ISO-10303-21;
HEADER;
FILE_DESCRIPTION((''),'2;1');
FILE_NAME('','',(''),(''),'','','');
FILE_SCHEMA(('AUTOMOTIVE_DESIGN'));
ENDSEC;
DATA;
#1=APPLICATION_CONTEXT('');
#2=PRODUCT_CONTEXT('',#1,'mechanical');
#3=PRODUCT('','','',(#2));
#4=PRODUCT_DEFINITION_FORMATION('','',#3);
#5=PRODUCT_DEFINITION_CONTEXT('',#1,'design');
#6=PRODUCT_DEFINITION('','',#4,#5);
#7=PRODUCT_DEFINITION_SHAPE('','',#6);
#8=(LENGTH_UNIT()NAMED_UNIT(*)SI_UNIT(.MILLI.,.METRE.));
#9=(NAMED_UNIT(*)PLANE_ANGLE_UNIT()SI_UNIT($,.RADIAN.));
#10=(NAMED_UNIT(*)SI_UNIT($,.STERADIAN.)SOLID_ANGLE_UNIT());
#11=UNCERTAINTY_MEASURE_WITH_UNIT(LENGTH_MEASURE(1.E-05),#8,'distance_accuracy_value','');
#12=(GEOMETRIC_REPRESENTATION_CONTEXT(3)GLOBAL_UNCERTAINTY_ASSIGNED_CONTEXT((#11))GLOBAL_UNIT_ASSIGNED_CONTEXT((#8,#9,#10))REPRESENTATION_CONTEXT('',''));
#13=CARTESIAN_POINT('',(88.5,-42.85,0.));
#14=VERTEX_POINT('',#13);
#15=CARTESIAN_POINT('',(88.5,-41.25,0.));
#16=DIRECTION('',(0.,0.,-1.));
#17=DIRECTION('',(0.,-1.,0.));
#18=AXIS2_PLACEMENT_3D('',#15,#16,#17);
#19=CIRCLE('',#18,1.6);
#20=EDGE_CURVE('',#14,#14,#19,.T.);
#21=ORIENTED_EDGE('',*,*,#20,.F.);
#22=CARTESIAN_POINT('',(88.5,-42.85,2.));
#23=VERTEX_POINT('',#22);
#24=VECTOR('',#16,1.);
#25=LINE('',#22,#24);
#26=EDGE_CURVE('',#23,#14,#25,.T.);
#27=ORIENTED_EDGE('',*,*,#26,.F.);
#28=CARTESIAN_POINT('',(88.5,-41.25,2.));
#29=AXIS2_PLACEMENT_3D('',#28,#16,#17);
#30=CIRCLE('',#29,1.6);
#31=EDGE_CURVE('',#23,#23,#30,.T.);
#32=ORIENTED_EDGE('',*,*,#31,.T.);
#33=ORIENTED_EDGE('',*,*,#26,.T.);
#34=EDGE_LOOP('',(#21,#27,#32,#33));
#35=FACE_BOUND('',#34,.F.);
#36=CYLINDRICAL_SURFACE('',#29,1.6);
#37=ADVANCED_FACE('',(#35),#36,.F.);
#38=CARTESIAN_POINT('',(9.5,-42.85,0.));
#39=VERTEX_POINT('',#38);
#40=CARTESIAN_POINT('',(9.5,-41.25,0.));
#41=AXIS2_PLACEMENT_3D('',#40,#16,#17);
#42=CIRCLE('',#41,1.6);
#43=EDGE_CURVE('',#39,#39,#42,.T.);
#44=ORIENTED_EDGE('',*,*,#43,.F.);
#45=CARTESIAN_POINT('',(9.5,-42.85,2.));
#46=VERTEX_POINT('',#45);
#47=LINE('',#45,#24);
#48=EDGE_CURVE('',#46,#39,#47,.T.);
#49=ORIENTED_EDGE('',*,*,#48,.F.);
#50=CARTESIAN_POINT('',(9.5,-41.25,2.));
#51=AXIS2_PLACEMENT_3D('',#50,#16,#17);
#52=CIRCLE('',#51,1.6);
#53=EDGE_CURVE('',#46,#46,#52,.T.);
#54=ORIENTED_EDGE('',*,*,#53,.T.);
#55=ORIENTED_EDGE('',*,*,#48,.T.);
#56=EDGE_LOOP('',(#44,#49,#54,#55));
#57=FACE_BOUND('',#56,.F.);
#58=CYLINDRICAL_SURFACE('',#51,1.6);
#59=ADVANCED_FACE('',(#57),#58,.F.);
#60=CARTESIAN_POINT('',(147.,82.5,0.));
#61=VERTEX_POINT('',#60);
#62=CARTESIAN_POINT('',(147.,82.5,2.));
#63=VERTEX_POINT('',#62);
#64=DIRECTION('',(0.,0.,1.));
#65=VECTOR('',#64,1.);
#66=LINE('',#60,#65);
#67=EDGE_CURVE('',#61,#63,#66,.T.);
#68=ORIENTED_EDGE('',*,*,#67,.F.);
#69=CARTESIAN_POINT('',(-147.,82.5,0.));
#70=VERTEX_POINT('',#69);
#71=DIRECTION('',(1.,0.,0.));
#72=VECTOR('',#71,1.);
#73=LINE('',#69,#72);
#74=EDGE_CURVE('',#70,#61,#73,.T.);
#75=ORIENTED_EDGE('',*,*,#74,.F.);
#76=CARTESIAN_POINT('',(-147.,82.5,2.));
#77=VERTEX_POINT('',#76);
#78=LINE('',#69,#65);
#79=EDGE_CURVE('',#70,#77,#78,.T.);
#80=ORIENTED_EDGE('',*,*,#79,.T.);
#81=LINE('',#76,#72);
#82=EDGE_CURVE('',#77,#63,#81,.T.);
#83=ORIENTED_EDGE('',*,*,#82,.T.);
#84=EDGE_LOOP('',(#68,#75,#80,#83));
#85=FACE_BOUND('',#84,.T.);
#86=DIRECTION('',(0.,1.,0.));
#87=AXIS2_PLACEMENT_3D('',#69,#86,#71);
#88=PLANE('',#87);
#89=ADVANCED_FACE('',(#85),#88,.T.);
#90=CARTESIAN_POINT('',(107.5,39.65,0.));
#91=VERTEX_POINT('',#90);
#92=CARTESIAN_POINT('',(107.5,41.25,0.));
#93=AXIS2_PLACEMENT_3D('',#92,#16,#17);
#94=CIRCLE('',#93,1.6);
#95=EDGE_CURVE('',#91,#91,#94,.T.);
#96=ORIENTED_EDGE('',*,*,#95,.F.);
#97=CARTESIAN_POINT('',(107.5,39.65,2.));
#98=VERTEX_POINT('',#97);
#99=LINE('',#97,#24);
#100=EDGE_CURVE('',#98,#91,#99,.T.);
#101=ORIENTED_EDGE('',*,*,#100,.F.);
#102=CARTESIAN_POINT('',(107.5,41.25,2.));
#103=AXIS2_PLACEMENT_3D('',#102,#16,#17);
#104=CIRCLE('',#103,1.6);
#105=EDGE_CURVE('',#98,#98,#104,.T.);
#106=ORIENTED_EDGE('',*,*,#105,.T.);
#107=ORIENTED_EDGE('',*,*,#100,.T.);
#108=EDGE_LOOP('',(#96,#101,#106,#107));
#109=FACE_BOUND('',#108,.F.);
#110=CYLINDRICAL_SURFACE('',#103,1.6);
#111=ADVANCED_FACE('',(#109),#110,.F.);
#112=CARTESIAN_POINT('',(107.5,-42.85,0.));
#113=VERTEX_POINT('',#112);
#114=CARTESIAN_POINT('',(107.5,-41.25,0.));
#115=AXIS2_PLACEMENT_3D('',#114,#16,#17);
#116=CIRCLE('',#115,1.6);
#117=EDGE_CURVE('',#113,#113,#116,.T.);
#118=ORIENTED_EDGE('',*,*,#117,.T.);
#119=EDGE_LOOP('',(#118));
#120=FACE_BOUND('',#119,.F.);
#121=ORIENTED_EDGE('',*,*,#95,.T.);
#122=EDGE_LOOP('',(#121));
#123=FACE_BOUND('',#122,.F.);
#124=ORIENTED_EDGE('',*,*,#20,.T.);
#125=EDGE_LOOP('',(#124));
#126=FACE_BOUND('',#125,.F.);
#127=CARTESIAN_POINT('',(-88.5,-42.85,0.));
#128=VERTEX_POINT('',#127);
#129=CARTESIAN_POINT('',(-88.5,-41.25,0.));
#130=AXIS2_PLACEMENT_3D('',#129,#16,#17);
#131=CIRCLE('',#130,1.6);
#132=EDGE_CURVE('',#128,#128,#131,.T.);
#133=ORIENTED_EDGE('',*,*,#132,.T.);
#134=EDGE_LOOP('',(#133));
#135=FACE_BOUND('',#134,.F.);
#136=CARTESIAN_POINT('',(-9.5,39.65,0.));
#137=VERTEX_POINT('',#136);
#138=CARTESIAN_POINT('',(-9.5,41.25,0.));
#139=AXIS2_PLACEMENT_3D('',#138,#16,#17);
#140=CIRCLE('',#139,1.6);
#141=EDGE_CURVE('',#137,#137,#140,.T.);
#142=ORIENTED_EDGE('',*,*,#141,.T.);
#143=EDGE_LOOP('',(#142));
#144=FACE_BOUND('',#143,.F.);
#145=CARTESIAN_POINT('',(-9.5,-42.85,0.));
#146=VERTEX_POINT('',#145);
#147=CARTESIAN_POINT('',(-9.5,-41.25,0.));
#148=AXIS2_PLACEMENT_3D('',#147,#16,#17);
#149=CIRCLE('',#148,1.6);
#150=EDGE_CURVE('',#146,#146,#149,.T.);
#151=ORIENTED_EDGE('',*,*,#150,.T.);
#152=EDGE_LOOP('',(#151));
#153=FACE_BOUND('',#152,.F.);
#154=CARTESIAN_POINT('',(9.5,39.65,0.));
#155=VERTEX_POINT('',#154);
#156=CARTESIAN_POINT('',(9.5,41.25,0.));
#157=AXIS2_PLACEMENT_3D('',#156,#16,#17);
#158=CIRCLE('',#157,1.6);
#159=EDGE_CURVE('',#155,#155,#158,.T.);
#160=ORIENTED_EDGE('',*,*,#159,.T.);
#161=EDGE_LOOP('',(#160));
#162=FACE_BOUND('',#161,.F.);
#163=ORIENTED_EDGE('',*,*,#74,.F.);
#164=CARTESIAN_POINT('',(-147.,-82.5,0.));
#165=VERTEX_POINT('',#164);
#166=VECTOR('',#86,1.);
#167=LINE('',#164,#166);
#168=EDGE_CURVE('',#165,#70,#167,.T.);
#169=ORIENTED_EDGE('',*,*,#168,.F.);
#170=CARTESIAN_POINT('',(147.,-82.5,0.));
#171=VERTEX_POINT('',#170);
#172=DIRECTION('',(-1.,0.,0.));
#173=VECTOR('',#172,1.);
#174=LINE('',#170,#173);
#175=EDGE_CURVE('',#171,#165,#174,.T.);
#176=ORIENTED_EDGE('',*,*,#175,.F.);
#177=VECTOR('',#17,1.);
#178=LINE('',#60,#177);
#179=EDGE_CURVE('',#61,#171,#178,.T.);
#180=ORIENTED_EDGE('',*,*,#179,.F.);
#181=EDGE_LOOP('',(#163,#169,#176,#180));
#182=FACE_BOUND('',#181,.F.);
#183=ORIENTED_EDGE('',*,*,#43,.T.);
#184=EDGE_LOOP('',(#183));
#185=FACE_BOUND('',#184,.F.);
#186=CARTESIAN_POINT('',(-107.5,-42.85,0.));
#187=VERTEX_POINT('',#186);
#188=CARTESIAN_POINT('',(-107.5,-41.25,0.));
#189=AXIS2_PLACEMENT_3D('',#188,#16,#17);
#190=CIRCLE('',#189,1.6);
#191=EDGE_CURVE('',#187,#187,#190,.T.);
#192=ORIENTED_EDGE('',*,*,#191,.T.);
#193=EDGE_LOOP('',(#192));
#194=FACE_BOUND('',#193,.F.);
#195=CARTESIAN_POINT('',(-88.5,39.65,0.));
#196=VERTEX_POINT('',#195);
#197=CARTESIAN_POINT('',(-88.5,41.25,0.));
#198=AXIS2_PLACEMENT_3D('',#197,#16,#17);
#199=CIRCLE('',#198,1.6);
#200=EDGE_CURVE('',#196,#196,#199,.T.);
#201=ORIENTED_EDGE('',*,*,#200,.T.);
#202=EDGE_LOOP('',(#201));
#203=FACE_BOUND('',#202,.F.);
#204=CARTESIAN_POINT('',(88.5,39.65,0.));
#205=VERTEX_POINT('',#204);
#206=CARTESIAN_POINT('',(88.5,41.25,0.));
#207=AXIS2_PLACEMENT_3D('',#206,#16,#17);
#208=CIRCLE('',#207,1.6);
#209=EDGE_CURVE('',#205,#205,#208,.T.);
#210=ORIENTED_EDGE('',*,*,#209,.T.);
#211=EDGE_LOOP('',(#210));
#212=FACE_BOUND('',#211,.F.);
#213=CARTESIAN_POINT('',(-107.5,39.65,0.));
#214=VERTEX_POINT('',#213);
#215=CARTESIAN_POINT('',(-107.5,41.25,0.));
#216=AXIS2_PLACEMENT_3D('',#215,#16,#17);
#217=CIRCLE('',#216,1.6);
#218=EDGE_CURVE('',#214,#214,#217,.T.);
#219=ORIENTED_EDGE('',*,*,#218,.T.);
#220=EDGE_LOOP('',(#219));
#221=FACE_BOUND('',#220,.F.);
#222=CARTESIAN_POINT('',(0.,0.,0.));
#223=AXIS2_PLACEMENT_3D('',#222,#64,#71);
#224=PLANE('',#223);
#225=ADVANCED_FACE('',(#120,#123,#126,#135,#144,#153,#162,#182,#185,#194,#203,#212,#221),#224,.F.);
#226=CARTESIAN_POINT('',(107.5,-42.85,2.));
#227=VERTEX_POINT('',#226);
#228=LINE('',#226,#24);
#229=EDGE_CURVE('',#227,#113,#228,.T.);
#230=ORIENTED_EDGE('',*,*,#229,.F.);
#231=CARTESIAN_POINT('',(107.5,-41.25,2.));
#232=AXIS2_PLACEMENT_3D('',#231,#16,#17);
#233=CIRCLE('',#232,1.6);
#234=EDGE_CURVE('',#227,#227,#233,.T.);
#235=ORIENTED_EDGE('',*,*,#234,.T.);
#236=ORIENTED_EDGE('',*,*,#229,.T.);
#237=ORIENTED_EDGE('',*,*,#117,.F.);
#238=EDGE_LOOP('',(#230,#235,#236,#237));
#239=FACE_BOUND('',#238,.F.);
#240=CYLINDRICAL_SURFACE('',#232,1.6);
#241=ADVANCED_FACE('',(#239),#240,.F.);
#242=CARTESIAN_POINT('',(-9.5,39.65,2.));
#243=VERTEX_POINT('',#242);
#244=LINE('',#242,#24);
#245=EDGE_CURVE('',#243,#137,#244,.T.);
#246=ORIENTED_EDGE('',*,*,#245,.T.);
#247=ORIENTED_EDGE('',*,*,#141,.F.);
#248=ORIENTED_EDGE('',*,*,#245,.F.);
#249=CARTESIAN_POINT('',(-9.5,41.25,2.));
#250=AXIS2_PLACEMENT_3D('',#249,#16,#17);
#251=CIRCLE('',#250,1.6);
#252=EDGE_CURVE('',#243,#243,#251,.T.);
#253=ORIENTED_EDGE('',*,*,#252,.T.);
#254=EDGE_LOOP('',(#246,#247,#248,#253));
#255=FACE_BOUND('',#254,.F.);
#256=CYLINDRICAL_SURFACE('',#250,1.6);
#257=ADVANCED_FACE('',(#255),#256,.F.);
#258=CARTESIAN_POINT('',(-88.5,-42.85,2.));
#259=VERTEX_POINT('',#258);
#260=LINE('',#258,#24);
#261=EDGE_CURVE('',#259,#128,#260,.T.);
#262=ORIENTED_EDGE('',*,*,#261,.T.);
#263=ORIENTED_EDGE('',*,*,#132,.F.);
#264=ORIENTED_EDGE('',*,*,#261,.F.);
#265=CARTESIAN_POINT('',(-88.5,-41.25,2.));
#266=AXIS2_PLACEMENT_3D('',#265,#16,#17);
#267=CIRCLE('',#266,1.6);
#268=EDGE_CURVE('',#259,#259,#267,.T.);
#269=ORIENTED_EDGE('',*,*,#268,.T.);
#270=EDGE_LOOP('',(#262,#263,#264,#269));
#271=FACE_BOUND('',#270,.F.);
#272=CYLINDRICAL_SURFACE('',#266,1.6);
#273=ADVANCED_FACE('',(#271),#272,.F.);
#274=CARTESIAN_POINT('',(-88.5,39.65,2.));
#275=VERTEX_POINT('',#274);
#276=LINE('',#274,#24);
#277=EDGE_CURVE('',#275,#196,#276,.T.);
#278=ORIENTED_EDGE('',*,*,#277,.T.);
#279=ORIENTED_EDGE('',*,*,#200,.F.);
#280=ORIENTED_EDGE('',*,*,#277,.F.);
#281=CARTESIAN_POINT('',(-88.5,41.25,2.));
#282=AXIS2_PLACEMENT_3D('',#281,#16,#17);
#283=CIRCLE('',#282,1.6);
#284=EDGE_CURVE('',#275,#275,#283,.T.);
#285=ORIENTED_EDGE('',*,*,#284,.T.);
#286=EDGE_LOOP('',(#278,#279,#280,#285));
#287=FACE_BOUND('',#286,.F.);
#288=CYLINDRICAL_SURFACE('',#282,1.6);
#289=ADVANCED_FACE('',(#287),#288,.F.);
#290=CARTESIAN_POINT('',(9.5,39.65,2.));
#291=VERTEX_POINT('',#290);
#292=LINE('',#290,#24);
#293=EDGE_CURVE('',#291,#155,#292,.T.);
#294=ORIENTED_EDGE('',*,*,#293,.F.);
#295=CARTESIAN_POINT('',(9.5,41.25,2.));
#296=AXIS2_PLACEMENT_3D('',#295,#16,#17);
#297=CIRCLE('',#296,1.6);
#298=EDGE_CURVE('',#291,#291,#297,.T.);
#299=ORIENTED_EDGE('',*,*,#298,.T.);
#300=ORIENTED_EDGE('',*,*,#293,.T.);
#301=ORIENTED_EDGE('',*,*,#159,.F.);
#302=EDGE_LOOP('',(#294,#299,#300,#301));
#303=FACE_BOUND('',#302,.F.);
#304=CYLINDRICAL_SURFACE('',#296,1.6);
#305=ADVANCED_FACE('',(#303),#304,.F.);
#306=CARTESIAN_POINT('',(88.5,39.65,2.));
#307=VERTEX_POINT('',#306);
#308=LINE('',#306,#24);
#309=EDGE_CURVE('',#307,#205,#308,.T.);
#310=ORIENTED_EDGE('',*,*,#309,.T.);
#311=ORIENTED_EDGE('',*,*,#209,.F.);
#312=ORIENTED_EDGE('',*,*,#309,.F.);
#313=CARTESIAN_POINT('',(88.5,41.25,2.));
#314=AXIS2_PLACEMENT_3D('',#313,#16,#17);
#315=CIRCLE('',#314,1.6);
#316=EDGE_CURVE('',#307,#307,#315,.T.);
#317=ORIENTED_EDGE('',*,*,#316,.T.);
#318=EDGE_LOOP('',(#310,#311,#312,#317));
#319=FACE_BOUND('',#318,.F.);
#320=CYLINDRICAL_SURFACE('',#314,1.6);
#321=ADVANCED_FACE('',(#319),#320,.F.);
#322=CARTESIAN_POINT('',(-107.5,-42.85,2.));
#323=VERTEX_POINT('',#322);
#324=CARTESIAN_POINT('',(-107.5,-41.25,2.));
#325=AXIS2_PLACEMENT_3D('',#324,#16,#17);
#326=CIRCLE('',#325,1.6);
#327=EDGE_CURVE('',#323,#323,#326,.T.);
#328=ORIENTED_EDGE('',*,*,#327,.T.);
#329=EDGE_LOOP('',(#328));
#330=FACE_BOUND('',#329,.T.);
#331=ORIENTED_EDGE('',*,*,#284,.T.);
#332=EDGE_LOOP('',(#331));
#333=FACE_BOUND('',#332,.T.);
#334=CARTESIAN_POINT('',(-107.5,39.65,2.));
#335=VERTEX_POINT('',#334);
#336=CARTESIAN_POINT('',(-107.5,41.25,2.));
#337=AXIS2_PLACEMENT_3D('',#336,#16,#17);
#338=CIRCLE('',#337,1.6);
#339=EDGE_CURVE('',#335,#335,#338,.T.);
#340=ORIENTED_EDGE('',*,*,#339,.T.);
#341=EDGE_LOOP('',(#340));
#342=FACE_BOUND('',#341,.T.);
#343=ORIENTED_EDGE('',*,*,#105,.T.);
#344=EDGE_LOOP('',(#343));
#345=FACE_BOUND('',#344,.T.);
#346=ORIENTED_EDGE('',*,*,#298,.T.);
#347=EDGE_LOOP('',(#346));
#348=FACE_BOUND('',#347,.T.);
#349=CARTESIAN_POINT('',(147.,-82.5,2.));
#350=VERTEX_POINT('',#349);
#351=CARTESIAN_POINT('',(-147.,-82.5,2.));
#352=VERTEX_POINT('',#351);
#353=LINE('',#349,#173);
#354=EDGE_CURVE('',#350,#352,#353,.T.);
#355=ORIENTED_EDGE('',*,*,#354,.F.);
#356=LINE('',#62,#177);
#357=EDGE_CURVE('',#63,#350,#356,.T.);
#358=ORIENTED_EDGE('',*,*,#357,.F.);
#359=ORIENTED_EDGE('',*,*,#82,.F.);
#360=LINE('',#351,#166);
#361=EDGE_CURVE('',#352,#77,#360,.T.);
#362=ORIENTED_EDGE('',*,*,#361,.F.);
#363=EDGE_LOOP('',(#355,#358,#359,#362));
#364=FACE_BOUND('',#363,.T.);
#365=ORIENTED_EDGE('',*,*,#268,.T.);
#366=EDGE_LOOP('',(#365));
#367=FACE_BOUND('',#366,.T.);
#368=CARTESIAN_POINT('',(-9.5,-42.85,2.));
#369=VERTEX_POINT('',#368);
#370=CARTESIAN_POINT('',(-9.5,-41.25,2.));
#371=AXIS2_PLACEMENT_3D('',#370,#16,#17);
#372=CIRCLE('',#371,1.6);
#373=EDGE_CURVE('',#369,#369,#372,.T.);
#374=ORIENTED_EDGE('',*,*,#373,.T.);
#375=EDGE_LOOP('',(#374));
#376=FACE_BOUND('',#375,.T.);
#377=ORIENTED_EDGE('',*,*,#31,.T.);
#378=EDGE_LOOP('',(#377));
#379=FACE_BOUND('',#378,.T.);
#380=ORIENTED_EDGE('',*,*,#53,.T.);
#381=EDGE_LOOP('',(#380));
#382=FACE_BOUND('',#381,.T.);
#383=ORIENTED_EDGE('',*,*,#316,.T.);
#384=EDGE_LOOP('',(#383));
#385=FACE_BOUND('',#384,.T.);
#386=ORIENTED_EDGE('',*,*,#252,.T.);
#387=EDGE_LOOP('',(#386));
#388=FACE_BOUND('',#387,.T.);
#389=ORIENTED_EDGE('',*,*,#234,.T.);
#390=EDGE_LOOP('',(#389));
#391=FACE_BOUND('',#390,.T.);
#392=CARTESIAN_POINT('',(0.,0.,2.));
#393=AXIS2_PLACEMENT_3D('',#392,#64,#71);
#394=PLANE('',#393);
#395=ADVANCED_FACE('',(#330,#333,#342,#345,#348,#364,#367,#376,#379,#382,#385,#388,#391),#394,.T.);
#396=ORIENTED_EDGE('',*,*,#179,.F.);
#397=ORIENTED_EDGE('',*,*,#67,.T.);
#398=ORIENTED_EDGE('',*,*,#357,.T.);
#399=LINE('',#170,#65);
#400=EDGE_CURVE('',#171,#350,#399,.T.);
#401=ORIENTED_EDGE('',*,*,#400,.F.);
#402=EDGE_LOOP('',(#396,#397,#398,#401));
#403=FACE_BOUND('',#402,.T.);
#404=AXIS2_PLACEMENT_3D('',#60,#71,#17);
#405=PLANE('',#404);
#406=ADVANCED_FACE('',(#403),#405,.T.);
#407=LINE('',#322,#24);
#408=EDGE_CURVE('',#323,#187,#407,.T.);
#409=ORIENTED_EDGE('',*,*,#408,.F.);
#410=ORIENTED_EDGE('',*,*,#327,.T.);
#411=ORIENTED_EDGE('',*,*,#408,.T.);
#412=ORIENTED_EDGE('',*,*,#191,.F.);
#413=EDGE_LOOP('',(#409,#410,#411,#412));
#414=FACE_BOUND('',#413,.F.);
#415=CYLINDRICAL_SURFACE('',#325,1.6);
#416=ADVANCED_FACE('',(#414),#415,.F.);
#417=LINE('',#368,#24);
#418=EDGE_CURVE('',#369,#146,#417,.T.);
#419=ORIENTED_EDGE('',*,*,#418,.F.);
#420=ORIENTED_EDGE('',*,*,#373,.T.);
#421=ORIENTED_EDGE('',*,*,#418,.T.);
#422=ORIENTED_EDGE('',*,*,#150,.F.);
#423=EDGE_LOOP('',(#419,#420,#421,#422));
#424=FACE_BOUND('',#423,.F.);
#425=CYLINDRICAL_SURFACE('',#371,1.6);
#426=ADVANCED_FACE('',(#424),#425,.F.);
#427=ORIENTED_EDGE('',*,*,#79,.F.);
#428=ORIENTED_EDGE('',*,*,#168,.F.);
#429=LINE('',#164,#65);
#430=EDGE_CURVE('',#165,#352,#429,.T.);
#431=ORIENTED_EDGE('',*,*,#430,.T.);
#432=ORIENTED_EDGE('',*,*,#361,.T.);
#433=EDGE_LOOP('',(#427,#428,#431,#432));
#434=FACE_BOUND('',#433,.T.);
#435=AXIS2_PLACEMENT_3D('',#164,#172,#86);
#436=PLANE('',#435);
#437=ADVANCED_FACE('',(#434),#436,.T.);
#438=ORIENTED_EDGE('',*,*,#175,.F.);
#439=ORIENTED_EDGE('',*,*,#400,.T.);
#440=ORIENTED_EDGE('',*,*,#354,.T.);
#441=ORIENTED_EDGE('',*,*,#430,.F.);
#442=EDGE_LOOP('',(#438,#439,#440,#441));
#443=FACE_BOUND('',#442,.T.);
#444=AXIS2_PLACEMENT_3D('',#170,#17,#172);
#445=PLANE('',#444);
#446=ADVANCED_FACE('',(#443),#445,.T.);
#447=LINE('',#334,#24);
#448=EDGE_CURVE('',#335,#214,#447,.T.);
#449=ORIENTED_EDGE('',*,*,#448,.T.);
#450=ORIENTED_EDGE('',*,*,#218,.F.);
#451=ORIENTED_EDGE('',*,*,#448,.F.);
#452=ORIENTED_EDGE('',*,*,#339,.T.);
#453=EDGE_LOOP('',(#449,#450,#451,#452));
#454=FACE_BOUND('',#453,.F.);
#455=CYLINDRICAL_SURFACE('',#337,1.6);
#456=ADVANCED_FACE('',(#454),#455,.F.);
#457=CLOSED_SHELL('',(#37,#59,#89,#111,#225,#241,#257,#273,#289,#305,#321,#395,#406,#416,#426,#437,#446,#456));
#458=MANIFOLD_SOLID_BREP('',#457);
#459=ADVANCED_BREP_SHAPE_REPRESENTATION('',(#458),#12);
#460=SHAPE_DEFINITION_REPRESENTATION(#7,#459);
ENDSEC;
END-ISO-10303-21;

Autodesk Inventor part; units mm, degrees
ref_plane "YZ Plane" through (0, 0, 0) normal (1, 0, 0) x (0, 1, 0)
ref_plane "XZ Plane" through (0, 0, 0) normal (0, 1, 0) x (-1, 0, 0)
ref_plane "XY Plane" through (0, 0, 0) normal (0, 0, 1) x (1, 0, 0)
sketch "スケッチ1" plane through (0, 0, 0) normal (0, 0, 1) x (1, 0, 0)
  line L0 (-147, 82.5) -> (147, 82.5)
  line L1 (147, 82.5) -> (147, -82.5)
  line L2 (147, -82.5) -> (-147, -82.5)
  line L3 (-147, -82.5) -> (-147, 82.5)
  point P0 (0, 0)
  dimension "d0" = 294
  dimension "d1" = 165
  dimension "d2" = 147
  dimension "d3" = 82.5
extrude "押し出し1" add sketch "スケッチ1" along normal blind 2
sketch "スケッチ2" plane through (0, 0, 2) normal (0, 0, 1) x (1, 0, 0)
  line L0 (147, 82.5) -> (147, -82.5) projected
  line L1 (-147, 82.5) -> (147, 82.5) projected
  line L2 (-147, -82.5) -> (-147, 82.5) projected
  line L3 (147, -82.5) -> (-147, -82.5) projected
  line L4 (-147, -82.5) -> (-147, 82.5) projected
  line L5 (-147, 0) -> (147, 0)
  line L6 (-147, 41.25) -> (147, 41.25)
  line L7 (147, -41.25) -> (-147, -41.25)
  line L8 (0, 82.5) -> (0, -82.5)
  line L9 (-98, 82.5) -> (-98, -82.5)
  line L10 (98, 82.5) -> (98, -82.5)
  point P0 (0, 0)
  point P1 (-107.5, 41.25)
  point P2 (-88.5, 41.25)
  point P3 (-9.5, 41.25)
  point P4 (9.5, 41.25)
  point P5 (88.5, 41.25)
  point P6 (107.5, 41.25)
  point P7 (107.5, -41.25)
  point P8 (88.5, -41.25)
  point P9 (9.5, -41.25)
  point P10 (-9.5, -41.25)
  point P11 (-88.5, -41.25)
  point P12 (-107.5, -41.25)
  dimension "d6" = 41.25
  dimension "d7" = 41.25
  dimension "d8" = 98
  dimension "d9" = 98
  dimension "d22" = 19
  dimension "d23" = 9.5
  dimension "d24" = 19
  dimension "d25" = 9.5
  dimension "d26" = 19
  dimension "d27" = 9.5
  dimension "d28" = 19
  dimension "d29" = 9.5
  dimension "d30" = 19
  dimension "d31" = 9.5
  dimension "d32" = 19
  dimension "d33" = 9.5
hole "Hole1" at (-107.5, 41.25, 2) at (-88.5, 41.25, 2) at (-9.5, 41.25, 2) at (9.5, 41.25, 2) at (88.5, 41.25, 2) at (107.5, 41.25, 2) at (107.5, -41.25, 2) at (88.5, -41.25, 2) at (9.5, -41.25, 2) at (-9.5, -41.25, 2) at (-88.5, -41.25, 2) at (-107.5, -41.25, 2) direction (0, 0, -1) diameter 3.2 end through all
equation "\"d2\" = 0.5 * d0"
equation "\"d3\" = 0.5 * d1"
equation "\"d7\" = d6"
equation "\"d9\" = d8"
equation "\"d23\" = 0.5 * d22"
equation "\"d24\" = d22"
equation "\"d25\" = d23"
equation "\"d26\" = d22"
equation "\"d27\" = d23"
equation "\"d28\" = d22"
equation "\"d29\" = d23"
equation "\"d30\" = d22"
equation "\"d31\" = d23"
equation "\"d32\" = d22"
equation "\"d33\" = d23"
properties part number "huta"
